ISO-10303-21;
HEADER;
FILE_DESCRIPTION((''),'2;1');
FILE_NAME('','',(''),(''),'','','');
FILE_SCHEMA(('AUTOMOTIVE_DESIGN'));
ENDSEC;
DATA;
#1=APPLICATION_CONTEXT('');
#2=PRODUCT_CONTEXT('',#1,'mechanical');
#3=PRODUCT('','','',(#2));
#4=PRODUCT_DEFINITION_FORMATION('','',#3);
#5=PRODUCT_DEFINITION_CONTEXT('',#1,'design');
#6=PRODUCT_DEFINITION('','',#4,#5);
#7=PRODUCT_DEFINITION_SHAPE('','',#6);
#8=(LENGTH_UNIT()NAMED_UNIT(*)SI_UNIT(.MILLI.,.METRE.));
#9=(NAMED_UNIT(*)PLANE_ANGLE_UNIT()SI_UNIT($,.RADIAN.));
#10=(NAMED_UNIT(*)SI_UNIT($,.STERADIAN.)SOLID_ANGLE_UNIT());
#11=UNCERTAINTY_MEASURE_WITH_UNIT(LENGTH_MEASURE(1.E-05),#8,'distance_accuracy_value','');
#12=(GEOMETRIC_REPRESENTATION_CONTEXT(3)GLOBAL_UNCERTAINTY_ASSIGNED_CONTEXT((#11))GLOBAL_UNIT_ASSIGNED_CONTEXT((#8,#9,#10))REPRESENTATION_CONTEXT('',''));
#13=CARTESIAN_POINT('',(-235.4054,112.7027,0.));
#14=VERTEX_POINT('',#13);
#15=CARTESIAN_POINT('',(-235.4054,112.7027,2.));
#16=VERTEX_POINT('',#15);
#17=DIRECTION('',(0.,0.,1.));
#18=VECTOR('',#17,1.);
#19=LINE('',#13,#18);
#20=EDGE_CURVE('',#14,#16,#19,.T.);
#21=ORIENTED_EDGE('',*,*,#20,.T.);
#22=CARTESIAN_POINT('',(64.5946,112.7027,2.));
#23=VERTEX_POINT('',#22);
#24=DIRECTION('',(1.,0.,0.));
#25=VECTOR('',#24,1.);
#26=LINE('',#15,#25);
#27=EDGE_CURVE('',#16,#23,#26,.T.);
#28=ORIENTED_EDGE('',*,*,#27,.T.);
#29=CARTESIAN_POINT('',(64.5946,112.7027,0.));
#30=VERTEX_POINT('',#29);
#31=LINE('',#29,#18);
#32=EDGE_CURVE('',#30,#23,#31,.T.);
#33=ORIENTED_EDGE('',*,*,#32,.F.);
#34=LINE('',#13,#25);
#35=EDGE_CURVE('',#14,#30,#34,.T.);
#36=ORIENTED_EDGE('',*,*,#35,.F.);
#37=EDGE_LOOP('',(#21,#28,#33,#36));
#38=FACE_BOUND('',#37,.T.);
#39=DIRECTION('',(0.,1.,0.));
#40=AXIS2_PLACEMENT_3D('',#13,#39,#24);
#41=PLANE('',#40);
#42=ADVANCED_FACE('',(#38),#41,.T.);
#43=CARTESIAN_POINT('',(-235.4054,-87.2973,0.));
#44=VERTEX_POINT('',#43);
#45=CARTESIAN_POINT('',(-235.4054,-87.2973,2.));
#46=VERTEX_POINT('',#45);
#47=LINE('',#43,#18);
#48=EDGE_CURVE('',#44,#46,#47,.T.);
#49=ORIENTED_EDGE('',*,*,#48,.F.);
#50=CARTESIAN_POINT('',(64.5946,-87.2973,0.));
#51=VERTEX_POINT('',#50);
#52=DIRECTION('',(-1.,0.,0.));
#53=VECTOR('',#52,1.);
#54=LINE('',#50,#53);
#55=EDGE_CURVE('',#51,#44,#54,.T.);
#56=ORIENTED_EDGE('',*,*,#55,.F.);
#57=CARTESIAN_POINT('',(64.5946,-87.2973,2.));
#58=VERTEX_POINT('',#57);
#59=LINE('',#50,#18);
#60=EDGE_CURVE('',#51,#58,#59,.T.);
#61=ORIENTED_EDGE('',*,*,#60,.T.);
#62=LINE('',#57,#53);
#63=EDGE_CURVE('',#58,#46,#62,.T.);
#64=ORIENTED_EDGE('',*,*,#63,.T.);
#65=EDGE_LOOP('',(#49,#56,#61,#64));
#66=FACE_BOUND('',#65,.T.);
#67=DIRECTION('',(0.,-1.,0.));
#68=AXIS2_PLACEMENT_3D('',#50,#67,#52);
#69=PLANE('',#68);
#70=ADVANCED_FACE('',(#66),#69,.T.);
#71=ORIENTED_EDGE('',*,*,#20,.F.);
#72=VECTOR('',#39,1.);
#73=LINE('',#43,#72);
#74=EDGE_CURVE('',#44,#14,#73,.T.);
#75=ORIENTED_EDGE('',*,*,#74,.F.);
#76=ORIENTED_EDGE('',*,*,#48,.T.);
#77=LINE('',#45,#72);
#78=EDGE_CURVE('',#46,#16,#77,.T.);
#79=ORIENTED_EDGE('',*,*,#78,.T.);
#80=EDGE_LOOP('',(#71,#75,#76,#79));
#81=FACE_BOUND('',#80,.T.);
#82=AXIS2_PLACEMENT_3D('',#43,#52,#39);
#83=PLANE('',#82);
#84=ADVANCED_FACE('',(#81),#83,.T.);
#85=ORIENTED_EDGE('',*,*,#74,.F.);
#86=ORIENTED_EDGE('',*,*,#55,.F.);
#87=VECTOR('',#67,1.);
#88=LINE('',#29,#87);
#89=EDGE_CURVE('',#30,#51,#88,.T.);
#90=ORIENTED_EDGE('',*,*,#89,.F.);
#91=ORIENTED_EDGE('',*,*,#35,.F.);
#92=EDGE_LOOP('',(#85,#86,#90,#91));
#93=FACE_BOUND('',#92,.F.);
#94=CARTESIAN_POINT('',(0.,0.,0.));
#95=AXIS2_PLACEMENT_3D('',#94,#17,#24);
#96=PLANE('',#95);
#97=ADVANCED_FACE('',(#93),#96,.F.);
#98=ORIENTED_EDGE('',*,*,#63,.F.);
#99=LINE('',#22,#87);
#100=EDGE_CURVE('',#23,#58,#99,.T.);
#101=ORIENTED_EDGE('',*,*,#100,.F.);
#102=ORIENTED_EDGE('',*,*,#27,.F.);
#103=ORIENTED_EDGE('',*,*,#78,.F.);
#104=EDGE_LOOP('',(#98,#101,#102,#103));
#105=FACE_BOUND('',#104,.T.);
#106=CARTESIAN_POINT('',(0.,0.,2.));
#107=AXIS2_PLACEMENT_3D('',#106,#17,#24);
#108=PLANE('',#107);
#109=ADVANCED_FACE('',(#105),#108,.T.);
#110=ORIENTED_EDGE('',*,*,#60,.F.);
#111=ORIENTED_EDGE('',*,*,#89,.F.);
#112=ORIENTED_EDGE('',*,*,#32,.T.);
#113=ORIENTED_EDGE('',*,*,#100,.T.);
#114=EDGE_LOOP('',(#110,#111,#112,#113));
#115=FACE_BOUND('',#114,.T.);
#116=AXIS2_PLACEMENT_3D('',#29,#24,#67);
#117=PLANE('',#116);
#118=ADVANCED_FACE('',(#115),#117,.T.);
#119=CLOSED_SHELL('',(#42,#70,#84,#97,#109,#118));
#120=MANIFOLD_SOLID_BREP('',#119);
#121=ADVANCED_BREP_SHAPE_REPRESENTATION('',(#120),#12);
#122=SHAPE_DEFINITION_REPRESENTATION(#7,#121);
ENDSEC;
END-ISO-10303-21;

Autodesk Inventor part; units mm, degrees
ref_plane "YZ Plane" through (0, 0, 0) normal (1, 0, 0) x (0, 1, 0)
ref_plane "XZ Plane" through (0, 0, 0) normal (0, 1, 0) x (-1, 0, 0)
ref_plane "XY Plane" through (0, 0, 0) normal (0, 0, 1) x (1, 0, 0)
sketch "Sketch1" plane through (0, 0, 0) normal (0, 0, 1) x (1, 0, 0)
  line L0 (-235.4054, 112.7027) -> (64.5946, 112.7027)
  line L1 (64.5946, 112.7027) -> (64.5946, -87.2973)
  line L2 (64.5946, -87.2973) -> (-235.4054, -87.2973)
  line L3 (-235.4054, -87.2973) -> (-235.4054, 112.7027)
  point P0 (0, 0)
  dimension "d0" = 200
  dimension "d1" = 300
extrude "Extrusion1" add sketch "Sketch1" along normal blind 2
properties part number "black-20x30"
